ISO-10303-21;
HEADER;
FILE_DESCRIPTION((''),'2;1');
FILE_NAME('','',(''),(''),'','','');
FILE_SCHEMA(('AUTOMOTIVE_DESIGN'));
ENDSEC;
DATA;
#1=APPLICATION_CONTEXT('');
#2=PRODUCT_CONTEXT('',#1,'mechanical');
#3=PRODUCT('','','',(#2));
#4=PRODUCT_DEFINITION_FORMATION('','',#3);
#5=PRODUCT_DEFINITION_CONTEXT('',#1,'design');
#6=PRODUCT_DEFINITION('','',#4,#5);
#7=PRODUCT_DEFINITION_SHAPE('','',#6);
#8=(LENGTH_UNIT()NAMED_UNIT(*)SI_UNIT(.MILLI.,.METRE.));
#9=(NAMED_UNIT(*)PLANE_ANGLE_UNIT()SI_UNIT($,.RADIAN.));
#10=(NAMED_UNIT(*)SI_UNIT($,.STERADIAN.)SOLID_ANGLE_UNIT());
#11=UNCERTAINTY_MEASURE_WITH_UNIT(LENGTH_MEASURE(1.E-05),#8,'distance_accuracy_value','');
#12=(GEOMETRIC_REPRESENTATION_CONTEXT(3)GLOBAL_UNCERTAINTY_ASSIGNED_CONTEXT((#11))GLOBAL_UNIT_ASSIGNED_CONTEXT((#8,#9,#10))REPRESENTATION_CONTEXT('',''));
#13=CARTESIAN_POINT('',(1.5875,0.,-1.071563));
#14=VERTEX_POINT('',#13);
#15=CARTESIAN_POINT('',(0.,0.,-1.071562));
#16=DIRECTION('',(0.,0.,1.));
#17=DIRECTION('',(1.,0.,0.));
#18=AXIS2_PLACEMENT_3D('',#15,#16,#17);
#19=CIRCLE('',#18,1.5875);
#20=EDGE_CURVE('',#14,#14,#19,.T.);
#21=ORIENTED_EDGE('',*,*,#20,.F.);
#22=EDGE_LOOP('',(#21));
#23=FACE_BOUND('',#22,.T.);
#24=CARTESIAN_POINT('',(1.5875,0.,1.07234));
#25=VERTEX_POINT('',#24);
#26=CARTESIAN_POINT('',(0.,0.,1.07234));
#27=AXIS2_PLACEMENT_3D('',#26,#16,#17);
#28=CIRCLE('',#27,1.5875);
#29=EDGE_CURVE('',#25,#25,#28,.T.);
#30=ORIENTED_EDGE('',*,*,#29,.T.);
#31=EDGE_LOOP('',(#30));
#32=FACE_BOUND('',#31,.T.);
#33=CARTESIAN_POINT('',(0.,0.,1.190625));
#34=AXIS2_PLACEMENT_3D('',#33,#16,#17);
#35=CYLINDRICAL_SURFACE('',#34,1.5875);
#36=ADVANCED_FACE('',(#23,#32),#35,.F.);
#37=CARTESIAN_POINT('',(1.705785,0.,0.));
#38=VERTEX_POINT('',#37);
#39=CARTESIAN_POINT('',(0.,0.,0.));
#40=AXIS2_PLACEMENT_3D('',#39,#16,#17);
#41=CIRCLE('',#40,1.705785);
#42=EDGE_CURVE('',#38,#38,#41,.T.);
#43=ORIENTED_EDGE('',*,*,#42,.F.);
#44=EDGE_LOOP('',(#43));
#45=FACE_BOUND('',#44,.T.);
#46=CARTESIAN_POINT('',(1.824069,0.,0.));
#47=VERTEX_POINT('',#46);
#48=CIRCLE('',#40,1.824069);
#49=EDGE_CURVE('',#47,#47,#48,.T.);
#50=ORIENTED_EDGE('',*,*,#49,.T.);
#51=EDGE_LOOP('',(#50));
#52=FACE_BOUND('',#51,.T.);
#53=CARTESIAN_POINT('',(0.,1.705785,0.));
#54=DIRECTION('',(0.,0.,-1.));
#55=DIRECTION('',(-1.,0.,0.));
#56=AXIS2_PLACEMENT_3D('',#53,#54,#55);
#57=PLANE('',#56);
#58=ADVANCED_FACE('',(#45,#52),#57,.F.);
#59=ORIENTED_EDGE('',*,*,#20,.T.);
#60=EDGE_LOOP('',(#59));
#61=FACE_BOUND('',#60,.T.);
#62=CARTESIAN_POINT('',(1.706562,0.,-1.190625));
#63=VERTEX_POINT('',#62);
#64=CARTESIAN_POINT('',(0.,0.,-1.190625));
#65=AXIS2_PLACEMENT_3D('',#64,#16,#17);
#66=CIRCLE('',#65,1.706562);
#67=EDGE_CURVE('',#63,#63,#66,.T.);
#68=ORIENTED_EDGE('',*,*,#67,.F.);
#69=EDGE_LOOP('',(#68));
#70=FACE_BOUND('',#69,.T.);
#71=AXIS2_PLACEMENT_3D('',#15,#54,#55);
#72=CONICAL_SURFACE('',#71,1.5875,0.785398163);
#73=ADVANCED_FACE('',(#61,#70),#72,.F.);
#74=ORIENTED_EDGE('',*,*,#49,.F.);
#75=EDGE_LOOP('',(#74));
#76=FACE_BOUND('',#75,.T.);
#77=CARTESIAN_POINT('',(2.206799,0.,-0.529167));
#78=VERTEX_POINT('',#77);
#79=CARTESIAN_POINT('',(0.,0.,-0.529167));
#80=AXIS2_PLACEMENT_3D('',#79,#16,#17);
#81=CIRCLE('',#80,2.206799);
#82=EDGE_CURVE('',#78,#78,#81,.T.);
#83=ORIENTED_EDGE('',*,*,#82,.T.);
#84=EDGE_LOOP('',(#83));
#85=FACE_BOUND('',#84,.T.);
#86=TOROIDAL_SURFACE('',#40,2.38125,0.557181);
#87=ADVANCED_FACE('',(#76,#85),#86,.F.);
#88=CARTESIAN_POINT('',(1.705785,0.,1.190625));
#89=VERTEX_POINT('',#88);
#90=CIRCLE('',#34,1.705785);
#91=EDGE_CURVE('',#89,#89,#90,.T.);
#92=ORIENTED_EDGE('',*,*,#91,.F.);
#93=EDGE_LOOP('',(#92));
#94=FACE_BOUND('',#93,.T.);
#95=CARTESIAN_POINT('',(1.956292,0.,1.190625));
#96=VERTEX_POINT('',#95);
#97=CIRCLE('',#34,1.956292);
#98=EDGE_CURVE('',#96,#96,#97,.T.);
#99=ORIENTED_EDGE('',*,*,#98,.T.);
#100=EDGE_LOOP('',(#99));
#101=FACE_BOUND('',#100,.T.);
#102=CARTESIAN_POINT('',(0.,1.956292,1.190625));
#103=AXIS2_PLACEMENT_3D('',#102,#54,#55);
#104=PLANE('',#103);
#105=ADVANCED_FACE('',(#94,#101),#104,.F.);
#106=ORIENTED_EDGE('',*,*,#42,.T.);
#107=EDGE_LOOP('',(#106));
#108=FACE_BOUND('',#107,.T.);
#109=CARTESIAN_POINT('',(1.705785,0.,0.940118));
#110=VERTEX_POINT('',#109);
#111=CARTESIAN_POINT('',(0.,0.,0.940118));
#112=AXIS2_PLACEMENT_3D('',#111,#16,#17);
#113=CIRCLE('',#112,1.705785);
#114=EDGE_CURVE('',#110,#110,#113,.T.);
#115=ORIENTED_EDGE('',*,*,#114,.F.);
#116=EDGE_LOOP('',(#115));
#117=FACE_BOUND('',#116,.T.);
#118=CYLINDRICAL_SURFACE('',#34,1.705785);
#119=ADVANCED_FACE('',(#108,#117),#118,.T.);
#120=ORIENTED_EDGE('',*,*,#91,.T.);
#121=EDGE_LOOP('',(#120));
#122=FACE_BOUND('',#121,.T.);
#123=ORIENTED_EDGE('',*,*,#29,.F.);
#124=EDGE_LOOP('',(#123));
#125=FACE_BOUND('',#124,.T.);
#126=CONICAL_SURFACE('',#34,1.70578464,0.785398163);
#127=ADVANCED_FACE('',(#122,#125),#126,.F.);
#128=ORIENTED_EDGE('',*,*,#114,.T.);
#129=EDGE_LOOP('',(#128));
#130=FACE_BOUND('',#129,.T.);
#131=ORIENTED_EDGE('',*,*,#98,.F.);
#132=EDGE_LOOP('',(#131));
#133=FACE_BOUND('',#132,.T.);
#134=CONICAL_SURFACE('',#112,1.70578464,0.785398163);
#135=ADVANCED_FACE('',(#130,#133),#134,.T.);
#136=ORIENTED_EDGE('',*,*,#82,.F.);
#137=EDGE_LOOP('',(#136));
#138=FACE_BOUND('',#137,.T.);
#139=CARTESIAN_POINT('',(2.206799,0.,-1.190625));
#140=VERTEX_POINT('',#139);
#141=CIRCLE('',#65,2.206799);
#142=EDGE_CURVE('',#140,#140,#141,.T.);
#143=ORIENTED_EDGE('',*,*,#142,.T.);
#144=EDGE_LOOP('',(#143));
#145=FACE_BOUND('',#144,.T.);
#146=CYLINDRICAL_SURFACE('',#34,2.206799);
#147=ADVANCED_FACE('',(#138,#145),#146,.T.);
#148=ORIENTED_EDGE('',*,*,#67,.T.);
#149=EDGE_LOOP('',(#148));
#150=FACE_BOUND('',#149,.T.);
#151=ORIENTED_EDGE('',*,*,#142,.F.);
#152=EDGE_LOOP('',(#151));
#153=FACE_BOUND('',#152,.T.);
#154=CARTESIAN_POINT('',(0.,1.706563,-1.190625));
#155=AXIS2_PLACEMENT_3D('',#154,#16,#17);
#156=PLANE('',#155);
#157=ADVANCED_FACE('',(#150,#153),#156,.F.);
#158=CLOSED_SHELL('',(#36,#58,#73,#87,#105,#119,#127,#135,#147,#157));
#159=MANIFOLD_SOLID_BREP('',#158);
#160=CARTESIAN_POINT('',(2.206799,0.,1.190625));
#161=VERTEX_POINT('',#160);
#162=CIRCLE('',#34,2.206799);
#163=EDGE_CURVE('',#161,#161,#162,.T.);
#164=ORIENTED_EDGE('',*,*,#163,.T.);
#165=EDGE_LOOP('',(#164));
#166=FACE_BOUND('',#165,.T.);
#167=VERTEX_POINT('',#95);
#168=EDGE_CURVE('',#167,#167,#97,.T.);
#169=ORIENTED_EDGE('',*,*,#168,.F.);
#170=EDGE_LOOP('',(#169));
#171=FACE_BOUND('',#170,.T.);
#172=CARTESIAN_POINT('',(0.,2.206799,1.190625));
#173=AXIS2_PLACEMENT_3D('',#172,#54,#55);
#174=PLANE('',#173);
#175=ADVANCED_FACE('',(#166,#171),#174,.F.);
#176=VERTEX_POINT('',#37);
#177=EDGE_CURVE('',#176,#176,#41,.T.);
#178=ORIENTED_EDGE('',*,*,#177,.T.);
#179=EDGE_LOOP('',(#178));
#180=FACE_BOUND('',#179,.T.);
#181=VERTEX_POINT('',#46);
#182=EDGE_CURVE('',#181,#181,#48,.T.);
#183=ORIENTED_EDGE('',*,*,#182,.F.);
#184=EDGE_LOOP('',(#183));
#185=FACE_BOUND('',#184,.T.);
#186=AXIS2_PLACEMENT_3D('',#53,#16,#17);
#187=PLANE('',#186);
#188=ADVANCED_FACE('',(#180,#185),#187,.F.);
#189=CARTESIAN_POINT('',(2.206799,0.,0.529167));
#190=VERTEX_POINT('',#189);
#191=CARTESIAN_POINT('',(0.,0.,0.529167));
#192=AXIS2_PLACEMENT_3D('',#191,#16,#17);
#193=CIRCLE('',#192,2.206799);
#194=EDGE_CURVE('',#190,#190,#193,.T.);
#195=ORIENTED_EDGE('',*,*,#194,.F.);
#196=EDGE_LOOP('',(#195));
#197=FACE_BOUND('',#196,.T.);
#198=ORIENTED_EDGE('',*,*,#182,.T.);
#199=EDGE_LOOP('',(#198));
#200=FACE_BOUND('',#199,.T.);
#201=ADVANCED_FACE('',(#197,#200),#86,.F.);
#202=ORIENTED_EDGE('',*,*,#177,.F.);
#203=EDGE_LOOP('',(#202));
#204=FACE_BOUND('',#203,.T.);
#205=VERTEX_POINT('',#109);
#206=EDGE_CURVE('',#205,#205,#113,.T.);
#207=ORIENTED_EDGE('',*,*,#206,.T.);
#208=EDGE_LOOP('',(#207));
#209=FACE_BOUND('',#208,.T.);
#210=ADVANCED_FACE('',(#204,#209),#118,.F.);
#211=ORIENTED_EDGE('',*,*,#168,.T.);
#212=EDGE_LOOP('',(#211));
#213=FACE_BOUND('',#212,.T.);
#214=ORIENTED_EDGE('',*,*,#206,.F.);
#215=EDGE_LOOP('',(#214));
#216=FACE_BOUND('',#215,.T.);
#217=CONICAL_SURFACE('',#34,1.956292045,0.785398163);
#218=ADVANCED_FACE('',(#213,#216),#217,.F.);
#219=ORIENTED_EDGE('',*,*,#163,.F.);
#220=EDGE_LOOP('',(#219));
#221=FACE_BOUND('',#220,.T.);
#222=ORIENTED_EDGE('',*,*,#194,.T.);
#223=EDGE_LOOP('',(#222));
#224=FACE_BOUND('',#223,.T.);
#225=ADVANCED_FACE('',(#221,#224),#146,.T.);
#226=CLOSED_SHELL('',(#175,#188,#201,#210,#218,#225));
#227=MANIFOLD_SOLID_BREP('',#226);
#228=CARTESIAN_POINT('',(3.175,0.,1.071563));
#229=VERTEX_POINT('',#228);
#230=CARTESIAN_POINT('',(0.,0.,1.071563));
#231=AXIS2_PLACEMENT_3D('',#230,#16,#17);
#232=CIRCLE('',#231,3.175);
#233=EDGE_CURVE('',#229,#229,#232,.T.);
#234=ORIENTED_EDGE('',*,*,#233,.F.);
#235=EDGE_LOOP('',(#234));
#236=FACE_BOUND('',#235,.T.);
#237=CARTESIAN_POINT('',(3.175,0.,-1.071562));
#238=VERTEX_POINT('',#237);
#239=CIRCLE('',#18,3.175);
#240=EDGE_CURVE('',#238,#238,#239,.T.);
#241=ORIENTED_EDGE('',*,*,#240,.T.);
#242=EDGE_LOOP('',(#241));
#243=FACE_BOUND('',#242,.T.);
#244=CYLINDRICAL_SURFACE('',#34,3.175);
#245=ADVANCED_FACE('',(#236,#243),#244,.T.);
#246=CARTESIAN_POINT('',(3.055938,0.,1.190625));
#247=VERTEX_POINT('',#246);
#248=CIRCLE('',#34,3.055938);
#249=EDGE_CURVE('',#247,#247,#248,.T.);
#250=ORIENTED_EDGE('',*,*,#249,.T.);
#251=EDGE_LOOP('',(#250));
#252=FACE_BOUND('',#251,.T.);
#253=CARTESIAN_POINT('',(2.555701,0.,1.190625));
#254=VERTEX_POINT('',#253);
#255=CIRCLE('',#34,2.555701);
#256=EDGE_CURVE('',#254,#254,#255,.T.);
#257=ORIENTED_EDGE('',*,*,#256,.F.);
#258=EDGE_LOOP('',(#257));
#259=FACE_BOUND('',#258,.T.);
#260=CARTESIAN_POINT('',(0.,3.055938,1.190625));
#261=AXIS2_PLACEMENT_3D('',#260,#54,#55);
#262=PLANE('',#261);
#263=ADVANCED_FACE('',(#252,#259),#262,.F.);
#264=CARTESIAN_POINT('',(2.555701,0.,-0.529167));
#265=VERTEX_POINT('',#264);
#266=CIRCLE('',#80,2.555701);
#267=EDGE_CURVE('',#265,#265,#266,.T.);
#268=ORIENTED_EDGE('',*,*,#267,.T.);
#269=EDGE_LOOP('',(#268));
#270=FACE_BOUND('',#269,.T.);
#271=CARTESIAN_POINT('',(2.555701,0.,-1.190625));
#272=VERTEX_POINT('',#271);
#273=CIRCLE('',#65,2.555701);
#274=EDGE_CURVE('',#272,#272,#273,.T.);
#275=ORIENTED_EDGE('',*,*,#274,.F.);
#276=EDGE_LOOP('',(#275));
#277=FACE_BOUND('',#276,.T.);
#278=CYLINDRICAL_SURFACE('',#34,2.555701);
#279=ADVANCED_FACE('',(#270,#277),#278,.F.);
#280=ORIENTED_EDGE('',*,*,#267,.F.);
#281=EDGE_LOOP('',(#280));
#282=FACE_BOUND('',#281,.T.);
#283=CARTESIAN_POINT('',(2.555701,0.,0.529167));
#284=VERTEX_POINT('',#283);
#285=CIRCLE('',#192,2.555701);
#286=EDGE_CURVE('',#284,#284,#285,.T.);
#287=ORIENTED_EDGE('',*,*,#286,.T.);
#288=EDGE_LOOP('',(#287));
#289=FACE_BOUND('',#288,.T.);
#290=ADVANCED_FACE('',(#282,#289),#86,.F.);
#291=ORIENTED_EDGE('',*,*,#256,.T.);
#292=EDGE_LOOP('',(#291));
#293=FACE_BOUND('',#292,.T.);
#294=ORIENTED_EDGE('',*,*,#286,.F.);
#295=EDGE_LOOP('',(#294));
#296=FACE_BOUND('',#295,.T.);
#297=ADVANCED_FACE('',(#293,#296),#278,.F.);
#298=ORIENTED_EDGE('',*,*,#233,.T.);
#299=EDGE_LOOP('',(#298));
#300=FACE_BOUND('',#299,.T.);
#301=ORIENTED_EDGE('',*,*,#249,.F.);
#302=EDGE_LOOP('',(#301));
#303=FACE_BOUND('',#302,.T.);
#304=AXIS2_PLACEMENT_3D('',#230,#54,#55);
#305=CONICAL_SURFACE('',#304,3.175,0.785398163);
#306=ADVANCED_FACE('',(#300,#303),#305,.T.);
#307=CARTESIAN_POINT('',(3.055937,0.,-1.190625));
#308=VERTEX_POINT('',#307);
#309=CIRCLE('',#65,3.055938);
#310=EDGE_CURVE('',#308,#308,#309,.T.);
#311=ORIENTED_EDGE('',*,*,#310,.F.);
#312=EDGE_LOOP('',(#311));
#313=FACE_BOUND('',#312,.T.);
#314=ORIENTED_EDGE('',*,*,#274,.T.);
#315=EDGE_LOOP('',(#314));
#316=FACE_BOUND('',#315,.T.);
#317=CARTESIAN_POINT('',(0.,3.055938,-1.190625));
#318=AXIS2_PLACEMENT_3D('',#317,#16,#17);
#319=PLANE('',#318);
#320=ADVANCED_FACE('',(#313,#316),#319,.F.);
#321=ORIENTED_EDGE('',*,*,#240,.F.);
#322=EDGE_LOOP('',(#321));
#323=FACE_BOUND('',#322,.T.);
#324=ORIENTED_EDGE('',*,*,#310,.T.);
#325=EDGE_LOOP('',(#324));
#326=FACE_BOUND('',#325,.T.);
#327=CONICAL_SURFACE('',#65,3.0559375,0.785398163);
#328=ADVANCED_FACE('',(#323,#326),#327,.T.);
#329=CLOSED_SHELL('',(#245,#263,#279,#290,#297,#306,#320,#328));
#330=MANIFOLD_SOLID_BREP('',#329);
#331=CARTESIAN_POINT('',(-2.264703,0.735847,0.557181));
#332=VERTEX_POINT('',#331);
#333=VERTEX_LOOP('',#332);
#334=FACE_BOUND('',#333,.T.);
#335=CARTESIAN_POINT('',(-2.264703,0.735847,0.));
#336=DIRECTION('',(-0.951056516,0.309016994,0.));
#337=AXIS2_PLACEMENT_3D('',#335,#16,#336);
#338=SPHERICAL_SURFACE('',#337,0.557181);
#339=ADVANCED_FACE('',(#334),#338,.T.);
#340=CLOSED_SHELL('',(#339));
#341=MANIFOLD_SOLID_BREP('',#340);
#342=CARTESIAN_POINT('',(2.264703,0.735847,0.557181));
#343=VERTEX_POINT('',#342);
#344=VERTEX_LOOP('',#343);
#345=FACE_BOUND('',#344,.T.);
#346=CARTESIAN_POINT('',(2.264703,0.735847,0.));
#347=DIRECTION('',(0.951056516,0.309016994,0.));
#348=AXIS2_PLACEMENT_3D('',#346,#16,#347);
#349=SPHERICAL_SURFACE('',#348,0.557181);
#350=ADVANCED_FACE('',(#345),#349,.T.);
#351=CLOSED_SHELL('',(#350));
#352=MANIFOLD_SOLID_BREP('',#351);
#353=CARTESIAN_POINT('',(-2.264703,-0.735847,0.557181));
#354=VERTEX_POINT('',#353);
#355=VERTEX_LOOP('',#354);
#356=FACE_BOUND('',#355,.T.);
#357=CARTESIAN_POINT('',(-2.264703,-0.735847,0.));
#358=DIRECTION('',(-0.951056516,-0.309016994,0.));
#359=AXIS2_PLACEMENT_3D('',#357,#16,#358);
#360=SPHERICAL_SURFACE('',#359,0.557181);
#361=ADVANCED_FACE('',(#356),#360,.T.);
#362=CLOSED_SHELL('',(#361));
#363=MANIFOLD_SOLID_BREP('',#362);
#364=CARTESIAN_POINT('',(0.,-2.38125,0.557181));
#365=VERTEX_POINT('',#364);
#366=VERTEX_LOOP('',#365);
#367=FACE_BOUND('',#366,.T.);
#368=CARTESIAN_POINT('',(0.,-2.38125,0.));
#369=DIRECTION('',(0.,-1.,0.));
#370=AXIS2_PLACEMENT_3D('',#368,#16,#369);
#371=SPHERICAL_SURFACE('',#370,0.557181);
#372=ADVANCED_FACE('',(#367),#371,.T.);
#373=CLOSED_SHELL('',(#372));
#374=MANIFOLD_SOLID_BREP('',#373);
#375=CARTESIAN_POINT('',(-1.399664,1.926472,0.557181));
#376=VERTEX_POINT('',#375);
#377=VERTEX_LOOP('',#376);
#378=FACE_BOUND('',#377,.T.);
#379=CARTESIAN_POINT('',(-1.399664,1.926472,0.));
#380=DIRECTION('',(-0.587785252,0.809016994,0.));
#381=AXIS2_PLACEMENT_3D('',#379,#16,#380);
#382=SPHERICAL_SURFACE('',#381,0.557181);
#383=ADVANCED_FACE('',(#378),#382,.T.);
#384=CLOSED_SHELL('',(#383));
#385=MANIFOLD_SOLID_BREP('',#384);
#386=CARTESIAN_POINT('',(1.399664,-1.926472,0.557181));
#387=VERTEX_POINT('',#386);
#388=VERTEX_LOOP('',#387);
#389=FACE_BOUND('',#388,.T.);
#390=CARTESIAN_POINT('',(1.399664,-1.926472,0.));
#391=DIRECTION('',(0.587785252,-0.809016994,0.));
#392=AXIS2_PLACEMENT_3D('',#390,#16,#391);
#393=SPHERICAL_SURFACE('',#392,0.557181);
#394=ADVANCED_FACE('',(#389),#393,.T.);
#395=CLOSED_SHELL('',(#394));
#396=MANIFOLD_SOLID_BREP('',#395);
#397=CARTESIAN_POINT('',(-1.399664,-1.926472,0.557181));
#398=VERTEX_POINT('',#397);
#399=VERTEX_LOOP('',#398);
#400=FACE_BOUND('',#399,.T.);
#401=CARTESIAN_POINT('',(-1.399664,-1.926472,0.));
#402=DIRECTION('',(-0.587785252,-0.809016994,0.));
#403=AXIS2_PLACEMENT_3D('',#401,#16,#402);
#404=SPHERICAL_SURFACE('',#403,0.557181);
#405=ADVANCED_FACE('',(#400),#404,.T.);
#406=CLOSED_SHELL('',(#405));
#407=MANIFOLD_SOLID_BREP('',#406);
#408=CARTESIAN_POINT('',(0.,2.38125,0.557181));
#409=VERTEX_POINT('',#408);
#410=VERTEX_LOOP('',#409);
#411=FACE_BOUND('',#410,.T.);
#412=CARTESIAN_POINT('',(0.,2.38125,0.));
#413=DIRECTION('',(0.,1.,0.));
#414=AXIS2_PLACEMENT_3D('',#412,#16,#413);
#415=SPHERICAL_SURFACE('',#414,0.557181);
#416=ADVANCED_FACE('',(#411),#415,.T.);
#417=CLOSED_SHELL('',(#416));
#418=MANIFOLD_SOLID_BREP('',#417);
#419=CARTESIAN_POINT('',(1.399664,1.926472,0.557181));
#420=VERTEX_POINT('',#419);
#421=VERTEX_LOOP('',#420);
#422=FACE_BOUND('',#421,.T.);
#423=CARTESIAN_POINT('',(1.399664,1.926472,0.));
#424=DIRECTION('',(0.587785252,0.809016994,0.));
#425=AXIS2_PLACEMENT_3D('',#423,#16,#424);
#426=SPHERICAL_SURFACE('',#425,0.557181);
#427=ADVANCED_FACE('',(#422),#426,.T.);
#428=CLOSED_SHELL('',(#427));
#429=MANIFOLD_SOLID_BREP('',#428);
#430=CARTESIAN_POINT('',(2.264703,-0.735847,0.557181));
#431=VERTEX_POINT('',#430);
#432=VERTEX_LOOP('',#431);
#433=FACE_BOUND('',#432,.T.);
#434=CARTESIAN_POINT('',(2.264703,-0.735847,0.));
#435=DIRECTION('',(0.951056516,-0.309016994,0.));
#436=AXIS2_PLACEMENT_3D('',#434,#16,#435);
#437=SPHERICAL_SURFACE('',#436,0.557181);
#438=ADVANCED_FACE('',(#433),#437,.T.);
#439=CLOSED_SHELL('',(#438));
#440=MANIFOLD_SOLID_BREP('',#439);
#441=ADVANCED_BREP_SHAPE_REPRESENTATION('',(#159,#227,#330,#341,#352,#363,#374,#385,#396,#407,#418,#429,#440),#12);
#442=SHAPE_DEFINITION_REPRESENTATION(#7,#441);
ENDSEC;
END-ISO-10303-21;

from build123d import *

# Parameters (mm, degrees)
CIRPATTERN1_COUNT = 10


with BuildPart() as part:
    # Sketch1 → Revolve1 (revolve)
    with BuildSketch(Plane(origin=(0, 0, 0), x_dir=(0, 0, -1), z_dir=(1, 0, 0))):
        with BuildLine():
            Line((1.0715625, 3.175), (-1.0715625, 3.175))
            Line((-1.0715625, 3.175), (-1.190625, 3.0559375))
            Line((-1.190625, 3.0559375), (-1.190625, 2.555700549))
            Line((-1.190625, 2.555700549), (-0.529166667, 2.555700549))
            ThreePointArc((-0.529166667, 2.555700549), (0, 2.938430721), (0.529166667, 2.555700549))
            Line((0.529166667, 2.555700549), (1.190625, 2.555700549))
            Line((1.190625, 2.555700549), (1.190625, 3.0559375))
            Line((1.190625, 3.0559375), (1.0715625, 3.175))
        make_face()
    revolve(axis=Axis((0, 0, 1.190625), (0, 0, -1)))


with BuildPart() as body_2:
    # Sketch2 → Revolve2 (revolve)
    with BuildSketch(Plane(origin=(0, 0, 0), x_dir=(0, 0, -1), z_dir=(1, 0, 0))):
        with BuildLine():
            Line((-1.190625, 2.206799451), (-0.529166667, 2.206799451))
            ThreePointArc((-0.529166667, 2.206799451), (-0.32653474, 1.929779714), (0, 1.824069279))
            Line((0, 1.824069279), (0, 1.70578464))
            Line((0, 1.70578464), (-0.940117595, 1.70578464))
            Line((-0.940117595, 1.70578464), (-1.190625, 1.956292045))
            Line((-1.190625, 1.956292045), (-1.190625, 2.206799451))
        make_face()
    revolve(axis=Axis((0, 0, 1.190625), (0, 0, -1)))


with BuildPart() as body_3:
    # Sketch3 → Revolve3 (revolve)
    with BuildSketch(Plane(origin=(0, 0, 0), x_dir=(0, 0, -1), z_dir=(1, 0, 0))):
        with BuildLine():
            Line((-1.190625, 1.956292045), (-0.940117595, 1.70578464))
            Line((-0.940117595, 1.70578464), (0, 1.70578464))
            Line((0, 1.70578464), (0, 1.824069279))
            ThreePointArc((0, 1.824069279), (0.32653474, 1.929779714), (0.529166667, 2.206799451))
            Line((0.529166667, 2.206799451), (1.190625, 2.206799451))
            Line((1.190625, 2.206799451), (1.190625, 1.7065625))
            Line((1.190625, 1.7065625), (1.0715625, 1.5875))
            Line((1.0715625, 1.5875), (-1.07234036, 1.5875))
            Line((-1.07234036, 1.5875), (-1.190625, 1.70578464))
            Line((-1.190625, 1.70578464), (-1.190625, 1.956292045))
        make_face()
    revolve(axis=Axis((0, 0, 1.190625), (0, 0, -1)))


with BuildPart() as body_4:
    # Sketch4 → Revolve4 (revolve)
    with BuildSketch(Plane(origin=(0, 0, 0), x_dir=(0, 0, -1), z_dir=(1, 0, 0))):
        with BuildLine():
            Line((-0.557180721, 2.38125), (0.557180721, 2.38125))
            ThreePointArc((0.557180721, 2.38125), (0, 2.938430721), (-0.557180721, 2.38125))
        make_face()
    revolve(axis=Axis((0, 2.38125, 0.557180721), (0, 0, -1)))


with BuildPart() as cirpattern1_1:
    # CirPattern1: pattern copy
    add(body_4.part.rotate(Axis((0, 0, -1.190625), (0, 0, 1)), 1 * 360 / CIRPATTERN1_COUNT))


with BuildPart() as cirpattern1_2:
    # CirPattern1: pattern copy
    add(body_4.part.rotate(Axis((0, 0, -1.190625), (0, 0, 1)), 2 * 360 / CIRPATTERN1_COUNT))


with BuildPart() as cirpattern1_3:
    # CirPattern1: pattern copy
    add(body_4.part.rotate(Axis((0, 0, -1.190625), (0, 0, 1)), 3 * 360 / CIRPATTERN1_COUNT))


with BuildPart() as cirpattern1_4:
    # CirPattern1: pattern copy
    add(body_4.part.rotate(Axis((0, 0, -1.190625), (0, 0, 1)), 4 * 360 / CIRPATTERN1_COUNT))


with BuildPart() as cirpattern1_5:
    # CirPattern1: pattern copy
    add(body_4.part.rotate(Axis((0, 0, -1.190625), (0, 0, 1)), 5 * 360 / CIRPATTERN1_COUNT))


with BuildPart() as cirpattern1_6:
    # CirPattern1: pattern copy
    add(body_4.part.rotate(Axis((0, 0, -1.190625), (0, 0, 1)), 6 * 360 / CIRPATTERN1_COUNT))


with BuildPart() as cirpattern1_7:
    # CirPattern1: pattern copy
    add(body_4.part.rotate(Axis((0, 0, -1.190625), (0, 0, 1)), 7 * 360 / CIRPATTERN1_COUNT))


with BuildPart() as cirpattern1_8:
    # CirPattern1: pattern copy
    add(body_4.part.rotate(Axis((0, 0, -1.190625), (0, 0, 1)), 8 * 360 / CIRPATTERN1_COUNT))


with BuildPart() as cirpattern1_9:
    # CirPattern1: pattern copy
    add(body_4.part.rotate(Axis((0, 0, -1.190625), (0, 0, 1)), 9 * 360 / CIRPATTERN1_COUNT))


solid = Compound([part.part, body_2.part, body_3.part, body_4.part, cirpattern1_1.part, cirpattern1_2.part, cirpattern1_3.part, cirpattern1_4.part, cirpattern1_5.part, cirpattern1_6.part, cirpattern1_7.part, cirpattern1_8.part, cirpattern1_9.part])
